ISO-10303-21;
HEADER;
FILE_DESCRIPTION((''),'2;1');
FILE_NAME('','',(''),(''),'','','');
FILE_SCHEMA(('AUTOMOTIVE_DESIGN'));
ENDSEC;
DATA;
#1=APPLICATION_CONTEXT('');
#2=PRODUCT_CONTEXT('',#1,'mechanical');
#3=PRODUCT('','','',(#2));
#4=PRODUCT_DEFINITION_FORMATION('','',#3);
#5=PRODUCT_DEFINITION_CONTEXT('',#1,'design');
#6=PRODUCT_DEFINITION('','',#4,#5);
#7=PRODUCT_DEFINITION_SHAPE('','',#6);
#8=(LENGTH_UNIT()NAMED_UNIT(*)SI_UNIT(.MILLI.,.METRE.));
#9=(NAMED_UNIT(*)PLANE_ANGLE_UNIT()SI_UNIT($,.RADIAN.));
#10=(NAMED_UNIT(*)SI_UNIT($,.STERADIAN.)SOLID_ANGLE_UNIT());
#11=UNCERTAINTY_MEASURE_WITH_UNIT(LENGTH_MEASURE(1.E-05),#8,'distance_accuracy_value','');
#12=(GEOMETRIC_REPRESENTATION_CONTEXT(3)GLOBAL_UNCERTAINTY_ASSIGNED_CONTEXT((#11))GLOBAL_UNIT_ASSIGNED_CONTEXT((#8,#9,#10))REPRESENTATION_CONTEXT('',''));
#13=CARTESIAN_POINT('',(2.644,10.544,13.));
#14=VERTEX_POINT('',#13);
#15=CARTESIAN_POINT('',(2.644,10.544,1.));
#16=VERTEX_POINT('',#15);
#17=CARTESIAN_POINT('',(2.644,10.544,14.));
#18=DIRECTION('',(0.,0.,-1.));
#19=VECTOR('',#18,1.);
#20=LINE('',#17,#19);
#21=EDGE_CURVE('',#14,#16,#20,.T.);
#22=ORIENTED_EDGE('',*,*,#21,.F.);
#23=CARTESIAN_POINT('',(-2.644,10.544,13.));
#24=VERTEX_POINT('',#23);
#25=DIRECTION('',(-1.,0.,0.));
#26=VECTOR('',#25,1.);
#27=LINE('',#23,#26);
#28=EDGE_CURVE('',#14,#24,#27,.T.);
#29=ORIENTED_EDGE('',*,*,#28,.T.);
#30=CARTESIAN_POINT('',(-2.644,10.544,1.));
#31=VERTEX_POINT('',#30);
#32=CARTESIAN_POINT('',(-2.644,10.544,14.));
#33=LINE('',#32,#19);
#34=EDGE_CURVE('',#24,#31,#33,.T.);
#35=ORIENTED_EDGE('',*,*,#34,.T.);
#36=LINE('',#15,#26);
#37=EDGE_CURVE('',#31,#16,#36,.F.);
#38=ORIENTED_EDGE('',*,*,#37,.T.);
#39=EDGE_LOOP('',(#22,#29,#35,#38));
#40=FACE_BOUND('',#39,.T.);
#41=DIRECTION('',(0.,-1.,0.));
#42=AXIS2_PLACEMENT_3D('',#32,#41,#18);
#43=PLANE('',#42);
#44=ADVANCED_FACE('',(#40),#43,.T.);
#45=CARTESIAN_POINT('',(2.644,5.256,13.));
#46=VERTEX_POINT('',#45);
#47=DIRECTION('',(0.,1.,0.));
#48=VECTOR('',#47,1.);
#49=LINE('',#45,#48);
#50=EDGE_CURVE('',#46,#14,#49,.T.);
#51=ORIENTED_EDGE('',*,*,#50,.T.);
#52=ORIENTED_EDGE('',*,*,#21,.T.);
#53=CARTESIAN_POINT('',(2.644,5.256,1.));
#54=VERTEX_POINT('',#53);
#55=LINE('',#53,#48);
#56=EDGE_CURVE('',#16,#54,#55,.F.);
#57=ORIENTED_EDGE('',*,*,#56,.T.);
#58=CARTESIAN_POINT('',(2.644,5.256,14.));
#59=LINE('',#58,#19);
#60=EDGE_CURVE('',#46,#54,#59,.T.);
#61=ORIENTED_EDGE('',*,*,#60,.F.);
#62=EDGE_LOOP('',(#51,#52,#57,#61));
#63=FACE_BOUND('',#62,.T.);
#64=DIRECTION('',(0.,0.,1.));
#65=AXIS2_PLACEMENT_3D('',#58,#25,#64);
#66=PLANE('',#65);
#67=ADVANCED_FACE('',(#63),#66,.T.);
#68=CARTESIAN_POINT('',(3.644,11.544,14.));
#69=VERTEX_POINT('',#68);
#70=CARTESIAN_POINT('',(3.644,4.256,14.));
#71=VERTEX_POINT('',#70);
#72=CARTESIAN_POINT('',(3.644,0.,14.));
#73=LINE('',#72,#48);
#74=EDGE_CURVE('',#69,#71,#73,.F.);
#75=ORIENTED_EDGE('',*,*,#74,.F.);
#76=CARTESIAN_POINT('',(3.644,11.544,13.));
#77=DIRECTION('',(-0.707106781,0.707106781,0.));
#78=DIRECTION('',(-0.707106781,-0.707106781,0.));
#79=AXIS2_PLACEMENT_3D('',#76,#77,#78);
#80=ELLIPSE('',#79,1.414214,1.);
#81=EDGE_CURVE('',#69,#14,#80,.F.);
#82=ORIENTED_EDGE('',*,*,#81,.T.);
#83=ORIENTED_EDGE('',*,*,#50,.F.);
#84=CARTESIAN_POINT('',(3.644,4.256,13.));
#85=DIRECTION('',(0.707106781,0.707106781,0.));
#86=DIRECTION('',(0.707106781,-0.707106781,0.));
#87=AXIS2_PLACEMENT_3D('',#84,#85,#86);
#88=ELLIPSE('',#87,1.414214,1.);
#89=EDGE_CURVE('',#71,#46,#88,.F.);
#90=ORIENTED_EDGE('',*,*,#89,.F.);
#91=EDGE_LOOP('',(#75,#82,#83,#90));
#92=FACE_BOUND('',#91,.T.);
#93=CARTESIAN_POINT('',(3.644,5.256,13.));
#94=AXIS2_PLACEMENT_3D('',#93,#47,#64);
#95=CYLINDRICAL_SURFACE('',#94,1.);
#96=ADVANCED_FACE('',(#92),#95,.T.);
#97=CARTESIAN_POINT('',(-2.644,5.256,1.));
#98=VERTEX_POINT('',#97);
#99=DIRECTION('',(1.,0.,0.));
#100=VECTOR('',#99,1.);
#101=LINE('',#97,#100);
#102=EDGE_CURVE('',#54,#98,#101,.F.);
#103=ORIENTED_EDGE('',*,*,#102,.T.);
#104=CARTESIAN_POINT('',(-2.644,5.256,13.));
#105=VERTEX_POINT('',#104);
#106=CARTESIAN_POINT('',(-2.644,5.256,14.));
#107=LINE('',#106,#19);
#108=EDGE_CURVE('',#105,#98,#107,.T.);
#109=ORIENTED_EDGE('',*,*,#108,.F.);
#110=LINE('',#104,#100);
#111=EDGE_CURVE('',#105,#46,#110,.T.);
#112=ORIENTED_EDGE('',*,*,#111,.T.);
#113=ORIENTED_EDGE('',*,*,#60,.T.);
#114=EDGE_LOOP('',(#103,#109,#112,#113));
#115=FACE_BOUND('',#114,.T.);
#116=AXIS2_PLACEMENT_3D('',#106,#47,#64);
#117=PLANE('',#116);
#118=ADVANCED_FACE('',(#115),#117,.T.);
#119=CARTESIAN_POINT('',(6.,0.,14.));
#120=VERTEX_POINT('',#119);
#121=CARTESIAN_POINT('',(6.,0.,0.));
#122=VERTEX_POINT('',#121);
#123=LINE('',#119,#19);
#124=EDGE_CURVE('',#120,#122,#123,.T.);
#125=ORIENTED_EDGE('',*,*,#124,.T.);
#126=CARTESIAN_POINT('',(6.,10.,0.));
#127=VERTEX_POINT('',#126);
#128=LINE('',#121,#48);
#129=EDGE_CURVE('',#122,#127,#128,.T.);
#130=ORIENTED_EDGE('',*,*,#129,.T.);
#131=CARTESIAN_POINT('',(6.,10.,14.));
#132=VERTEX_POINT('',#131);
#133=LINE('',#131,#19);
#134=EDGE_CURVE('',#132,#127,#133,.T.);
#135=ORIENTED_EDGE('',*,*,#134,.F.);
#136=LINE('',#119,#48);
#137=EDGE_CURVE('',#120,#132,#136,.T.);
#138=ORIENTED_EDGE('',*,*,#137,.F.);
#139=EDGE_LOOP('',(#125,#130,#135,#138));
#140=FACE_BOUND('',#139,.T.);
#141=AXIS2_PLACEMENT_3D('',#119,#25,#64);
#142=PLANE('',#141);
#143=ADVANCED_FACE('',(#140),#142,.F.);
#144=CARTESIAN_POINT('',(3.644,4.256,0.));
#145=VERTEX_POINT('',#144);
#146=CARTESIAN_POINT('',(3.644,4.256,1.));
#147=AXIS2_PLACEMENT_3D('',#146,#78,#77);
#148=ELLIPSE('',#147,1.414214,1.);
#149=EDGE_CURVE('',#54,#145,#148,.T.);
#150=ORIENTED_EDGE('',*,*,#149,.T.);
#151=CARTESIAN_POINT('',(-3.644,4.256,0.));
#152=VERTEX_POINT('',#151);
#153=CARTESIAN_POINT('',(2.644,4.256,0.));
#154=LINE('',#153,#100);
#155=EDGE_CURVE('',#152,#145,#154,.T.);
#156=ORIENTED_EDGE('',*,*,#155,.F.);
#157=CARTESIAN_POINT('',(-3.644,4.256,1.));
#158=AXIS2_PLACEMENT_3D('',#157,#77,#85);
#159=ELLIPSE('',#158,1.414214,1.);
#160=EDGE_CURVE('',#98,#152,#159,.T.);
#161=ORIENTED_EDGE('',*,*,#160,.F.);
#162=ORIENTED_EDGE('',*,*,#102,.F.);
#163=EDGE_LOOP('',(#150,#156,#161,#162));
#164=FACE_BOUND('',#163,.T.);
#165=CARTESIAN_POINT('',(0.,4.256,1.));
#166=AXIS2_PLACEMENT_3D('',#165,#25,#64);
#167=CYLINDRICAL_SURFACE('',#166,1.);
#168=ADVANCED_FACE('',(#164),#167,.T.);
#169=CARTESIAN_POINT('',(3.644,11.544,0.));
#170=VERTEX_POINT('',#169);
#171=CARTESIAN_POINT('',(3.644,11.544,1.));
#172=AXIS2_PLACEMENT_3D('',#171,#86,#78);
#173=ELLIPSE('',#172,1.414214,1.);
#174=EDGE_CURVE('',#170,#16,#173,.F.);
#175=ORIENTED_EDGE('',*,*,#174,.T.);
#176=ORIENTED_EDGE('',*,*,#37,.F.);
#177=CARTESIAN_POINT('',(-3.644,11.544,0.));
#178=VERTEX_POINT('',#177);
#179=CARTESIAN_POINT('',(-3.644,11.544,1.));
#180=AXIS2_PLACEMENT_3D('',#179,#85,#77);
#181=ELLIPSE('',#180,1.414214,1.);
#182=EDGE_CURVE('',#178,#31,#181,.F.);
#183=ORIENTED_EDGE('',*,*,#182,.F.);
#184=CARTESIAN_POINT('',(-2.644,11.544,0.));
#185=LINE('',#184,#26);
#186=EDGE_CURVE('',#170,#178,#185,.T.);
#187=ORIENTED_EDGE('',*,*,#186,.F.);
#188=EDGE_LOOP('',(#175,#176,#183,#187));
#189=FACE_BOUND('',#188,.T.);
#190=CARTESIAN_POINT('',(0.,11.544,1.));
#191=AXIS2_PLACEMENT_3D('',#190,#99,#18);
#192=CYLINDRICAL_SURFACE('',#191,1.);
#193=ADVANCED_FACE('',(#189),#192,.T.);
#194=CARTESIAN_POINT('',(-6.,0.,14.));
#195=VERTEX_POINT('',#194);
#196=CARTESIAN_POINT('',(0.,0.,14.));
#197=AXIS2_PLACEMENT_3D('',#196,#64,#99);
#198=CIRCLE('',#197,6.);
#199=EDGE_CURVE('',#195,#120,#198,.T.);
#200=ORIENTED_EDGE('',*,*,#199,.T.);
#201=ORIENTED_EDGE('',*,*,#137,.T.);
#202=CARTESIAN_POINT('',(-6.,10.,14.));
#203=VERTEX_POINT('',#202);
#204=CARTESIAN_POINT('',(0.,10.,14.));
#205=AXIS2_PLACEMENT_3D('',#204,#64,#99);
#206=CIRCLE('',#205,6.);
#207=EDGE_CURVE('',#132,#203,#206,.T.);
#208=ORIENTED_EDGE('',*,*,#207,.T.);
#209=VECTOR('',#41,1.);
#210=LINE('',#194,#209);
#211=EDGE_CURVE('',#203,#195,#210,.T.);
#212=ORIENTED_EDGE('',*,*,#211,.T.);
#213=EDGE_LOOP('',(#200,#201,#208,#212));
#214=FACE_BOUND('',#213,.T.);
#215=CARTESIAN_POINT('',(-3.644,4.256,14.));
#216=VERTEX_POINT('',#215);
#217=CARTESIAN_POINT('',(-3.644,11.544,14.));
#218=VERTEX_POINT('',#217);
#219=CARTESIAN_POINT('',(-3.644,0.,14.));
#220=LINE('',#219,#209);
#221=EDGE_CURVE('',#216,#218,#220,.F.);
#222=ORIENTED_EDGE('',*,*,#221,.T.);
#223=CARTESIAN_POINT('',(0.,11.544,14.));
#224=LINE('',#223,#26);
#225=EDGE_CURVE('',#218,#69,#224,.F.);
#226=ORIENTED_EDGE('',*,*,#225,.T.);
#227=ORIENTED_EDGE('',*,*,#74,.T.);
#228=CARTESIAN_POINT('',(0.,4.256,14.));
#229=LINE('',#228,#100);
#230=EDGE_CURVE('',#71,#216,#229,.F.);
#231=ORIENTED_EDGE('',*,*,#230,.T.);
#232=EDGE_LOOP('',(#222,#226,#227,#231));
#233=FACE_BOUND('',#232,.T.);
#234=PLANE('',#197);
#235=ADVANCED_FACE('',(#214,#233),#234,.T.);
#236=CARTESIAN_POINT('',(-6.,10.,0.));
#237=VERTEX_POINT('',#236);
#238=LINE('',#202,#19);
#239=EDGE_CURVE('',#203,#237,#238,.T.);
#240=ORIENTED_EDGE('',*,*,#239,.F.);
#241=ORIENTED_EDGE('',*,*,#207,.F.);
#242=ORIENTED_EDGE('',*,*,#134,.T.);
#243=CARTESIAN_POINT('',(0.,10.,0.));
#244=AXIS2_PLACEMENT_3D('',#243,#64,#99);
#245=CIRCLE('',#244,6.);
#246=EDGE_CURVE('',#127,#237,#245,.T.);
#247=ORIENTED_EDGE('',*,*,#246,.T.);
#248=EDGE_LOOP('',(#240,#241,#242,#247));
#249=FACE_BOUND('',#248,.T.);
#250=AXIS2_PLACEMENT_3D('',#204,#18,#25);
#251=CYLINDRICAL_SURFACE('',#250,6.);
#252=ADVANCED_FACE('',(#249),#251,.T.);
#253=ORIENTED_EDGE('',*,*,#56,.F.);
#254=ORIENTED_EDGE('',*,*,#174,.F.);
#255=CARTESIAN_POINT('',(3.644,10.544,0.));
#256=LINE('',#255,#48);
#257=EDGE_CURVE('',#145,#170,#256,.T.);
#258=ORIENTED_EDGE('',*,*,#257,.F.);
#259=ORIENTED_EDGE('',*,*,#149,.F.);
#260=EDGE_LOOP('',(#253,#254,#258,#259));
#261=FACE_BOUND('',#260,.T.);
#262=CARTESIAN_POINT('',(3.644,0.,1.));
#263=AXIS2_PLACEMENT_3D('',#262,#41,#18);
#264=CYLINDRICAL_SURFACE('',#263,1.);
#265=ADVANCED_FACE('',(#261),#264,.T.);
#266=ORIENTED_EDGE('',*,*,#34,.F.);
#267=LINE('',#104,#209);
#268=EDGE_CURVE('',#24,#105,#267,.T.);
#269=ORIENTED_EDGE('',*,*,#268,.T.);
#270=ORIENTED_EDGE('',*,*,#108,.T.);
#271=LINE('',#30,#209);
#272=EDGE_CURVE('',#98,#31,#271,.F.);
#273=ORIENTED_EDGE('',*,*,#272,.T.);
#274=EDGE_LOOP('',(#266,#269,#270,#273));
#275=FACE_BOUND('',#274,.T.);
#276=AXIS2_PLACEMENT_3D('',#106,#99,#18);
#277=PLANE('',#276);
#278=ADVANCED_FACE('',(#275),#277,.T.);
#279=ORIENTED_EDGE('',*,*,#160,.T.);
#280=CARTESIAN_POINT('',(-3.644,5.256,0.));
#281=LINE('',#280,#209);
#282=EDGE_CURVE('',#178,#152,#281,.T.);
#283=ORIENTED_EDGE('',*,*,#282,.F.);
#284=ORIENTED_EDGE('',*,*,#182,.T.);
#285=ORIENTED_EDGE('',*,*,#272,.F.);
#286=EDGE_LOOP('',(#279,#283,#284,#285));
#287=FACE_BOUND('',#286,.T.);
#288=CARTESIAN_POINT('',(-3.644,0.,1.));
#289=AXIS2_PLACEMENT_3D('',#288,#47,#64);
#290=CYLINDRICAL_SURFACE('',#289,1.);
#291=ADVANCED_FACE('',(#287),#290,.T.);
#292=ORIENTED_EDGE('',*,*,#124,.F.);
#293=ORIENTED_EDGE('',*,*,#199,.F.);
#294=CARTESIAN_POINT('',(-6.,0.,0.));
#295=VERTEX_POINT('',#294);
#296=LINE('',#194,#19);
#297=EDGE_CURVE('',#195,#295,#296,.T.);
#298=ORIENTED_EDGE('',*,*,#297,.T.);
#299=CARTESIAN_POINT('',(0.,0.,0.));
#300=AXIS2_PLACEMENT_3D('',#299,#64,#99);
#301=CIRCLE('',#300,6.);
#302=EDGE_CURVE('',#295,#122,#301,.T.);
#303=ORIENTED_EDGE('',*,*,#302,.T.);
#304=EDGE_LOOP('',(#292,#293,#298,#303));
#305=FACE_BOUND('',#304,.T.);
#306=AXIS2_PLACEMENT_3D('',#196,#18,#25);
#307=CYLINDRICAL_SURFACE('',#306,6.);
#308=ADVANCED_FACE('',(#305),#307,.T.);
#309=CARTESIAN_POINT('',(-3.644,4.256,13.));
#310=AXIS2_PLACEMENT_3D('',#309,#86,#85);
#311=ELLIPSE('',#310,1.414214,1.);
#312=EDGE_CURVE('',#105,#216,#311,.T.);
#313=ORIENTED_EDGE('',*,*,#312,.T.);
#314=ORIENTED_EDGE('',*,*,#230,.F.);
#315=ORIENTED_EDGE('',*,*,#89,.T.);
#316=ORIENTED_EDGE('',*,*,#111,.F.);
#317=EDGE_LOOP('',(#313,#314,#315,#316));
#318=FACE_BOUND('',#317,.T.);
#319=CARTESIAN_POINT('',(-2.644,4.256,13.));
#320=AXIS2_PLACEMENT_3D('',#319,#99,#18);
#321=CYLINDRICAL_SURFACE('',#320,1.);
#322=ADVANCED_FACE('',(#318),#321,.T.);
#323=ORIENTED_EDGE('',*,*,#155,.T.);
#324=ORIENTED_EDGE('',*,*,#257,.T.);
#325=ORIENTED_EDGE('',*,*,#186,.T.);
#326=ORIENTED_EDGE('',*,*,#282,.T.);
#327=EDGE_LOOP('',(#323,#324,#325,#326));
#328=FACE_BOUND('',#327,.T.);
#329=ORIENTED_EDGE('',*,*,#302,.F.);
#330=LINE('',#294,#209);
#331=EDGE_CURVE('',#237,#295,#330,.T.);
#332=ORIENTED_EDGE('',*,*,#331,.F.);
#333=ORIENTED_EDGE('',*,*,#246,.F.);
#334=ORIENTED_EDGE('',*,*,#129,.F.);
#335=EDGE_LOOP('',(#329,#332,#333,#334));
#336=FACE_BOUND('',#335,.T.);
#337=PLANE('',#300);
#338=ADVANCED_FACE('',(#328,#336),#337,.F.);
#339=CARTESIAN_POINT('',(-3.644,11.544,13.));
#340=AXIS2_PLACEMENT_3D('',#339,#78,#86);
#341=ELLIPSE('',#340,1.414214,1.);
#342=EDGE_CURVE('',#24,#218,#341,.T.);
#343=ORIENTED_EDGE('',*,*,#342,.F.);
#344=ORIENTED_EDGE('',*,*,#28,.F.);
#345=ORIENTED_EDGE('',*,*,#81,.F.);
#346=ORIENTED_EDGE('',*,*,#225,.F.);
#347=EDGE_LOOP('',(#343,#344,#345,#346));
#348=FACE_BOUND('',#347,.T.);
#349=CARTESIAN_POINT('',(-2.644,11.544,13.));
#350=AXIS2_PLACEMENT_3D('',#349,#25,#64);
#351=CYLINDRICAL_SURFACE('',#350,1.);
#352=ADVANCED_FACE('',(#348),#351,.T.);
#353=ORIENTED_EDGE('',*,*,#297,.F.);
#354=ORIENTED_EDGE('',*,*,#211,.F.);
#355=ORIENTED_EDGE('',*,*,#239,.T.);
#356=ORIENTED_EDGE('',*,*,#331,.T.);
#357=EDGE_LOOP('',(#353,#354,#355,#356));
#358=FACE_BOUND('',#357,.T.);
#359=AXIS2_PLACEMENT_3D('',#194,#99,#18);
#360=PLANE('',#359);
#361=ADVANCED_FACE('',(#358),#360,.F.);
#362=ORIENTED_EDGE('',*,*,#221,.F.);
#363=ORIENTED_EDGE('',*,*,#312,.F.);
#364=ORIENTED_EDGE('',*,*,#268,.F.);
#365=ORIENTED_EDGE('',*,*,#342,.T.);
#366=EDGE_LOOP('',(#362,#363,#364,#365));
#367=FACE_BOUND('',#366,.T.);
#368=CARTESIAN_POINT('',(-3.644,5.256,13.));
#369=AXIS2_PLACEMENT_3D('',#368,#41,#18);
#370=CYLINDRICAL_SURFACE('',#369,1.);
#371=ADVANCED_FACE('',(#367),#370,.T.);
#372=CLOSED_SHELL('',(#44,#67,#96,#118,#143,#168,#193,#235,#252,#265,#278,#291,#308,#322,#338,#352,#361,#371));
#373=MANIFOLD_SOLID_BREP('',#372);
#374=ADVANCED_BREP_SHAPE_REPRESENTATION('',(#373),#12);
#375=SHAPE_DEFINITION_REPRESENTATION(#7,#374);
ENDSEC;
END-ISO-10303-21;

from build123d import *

# Parameters (mm, degrees)
SKETCH1_W           = 5.288
SKETCH1_H           = 5.288
BOSS_EXTRUDE1_DEPTH = 14
FILLET1_R           = 1
FILLET2_R           = 1


with BuildPart() as part:
    # Sketch1 → Boss-Extrude1 (new body)
    with BuildSketch(Plane.XY):
        with BuildLine():
            Line((-6, 0), (-6, 10))
            ThreePointArc((-6, 10), (0, 16), (6, 10))
            Line((6, 10), (6, 0))
            ThreePointArc((6, 0), (0, -6), (-6, 0))
        make_face()
        with Locations((0, 7.9)):
            Rectangle(SKETCH1_W, SKETCH1_H, mode=Mode.SUBTRACT)
    extrude(amount=BOSS_EXTRUDE1_DEPTH)

    # Fillet1
    fillet1_edges = [part.edges().sort_by_distance(p)[0] for p in [
        (2.644, 7.9, 14),
        (0, 10.544, 14),
        (-2.644, 7.9, 14),
        (0, 5.256, 14),
    ]]
    fillet(fillet1_edges, radius=FILLET1_R)

    # Fillet2
    fillet2_edges = [part.edges().sort_by_distance(p)[0] for p in [
        (2.644, 7.9, 0),
        (0, 10.544, 0),
        (-2.644, 7.9, 0),
        (0, 5.256, 0),
    ]]
    fillet(fillet2_edges, radius=FILLET2_R)


solid = part.part
